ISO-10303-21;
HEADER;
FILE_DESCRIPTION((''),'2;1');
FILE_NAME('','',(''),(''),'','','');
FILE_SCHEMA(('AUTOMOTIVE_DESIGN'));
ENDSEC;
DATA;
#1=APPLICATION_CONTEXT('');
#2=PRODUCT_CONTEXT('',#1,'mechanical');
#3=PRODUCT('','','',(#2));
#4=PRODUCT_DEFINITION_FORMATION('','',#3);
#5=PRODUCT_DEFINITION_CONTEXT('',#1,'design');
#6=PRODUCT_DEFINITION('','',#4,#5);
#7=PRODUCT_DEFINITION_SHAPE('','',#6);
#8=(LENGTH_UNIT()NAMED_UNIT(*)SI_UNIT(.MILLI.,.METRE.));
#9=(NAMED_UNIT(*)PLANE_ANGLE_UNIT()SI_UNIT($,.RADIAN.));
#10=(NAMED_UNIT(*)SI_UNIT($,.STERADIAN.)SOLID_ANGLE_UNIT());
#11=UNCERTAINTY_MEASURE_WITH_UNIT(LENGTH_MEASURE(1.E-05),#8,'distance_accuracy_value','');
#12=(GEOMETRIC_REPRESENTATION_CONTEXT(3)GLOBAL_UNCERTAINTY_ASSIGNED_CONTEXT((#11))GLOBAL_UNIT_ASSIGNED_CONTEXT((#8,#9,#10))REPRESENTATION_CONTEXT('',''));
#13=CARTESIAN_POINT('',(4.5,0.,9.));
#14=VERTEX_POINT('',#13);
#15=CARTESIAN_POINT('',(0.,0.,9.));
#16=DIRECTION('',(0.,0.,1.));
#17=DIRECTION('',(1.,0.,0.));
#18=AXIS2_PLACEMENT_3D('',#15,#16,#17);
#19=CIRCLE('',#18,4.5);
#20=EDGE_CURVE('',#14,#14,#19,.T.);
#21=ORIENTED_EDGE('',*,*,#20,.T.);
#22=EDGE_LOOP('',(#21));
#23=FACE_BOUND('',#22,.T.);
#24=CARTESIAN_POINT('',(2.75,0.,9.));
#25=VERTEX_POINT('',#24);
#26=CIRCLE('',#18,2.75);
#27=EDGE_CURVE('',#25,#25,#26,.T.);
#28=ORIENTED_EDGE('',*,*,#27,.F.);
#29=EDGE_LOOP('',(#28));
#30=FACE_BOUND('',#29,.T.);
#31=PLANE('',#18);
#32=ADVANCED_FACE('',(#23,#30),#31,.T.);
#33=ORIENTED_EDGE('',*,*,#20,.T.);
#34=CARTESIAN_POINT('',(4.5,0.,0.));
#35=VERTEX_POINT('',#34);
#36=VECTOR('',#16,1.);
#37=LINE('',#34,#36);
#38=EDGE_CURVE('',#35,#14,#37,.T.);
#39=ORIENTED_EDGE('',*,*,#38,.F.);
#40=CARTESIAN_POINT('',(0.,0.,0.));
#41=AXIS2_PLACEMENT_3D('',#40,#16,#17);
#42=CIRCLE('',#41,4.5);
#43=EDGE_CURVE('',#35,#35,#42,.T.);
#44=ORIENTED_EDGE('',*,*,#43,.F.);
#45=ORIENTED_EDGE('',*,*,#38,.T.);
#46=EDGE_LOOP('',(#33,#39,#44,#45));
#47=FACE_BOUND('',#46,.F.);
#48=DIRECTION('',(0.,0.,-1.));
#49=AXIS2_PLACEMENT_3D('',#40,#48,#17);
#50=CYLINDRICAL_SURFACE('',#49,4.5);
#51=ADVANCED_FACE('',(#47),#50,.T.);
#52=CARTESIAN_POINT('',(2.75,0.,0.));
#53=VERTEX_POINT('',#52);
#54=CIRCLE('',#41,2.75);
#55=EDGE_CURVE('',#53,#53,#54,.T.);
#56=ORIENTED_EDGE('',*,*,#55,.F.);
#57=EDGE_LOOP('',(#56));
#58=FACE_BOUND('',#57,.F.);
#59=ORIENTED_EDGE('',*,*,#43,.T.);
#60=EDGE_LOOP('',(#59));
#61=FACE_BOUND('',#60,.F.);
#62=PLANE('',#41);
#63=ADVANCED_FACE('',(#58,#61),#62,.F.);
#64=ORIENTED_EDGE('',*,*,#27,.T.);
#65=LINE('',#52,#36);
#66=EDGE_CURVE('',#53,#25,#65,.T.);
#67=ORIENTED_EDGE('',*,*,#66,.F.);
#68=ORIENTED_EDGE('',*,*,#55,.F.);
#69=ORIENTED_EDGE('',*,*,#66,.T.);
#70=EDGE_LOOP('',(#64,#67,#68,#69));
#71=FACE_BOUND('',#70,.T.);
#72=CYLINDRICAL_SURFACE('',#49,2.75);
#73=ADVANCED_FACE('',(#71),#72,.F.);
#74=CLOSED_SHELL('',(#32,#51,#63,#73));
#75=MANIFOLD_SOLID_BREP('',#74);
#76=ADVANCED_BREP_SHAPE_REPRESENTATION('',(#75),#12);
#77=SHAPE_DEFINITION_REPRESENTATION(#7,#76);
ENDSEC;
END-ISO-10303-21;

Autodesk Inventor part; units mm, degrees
ref_plane "YZ Plane" through (0, 0, 0) normal (1, 0, 0) x (0, 1, 0)
ref_plane "XZ Plane" through (0, 0, 0) normal (0, 1, 0) x (-1, 0, 0)
ref_plane "XY Plane" through (0, 0, 0) normal (0, 0, 1) x (1, 0, 0)
sketch "Sketch1" plane through (0, 0, 0) normal (0, 0, 1) x (1, 0, 0)
  circle A0 centre (0, 0) radius 2.75
  circle A1 centre (0, 0) radius 4.5
  dimension "d0" = 5.5
  dimension "d1" = 9
extrude "Extrusion1" add sketch "Sketch1" along normal blind 9
properties part number "LCD-Spacer"
